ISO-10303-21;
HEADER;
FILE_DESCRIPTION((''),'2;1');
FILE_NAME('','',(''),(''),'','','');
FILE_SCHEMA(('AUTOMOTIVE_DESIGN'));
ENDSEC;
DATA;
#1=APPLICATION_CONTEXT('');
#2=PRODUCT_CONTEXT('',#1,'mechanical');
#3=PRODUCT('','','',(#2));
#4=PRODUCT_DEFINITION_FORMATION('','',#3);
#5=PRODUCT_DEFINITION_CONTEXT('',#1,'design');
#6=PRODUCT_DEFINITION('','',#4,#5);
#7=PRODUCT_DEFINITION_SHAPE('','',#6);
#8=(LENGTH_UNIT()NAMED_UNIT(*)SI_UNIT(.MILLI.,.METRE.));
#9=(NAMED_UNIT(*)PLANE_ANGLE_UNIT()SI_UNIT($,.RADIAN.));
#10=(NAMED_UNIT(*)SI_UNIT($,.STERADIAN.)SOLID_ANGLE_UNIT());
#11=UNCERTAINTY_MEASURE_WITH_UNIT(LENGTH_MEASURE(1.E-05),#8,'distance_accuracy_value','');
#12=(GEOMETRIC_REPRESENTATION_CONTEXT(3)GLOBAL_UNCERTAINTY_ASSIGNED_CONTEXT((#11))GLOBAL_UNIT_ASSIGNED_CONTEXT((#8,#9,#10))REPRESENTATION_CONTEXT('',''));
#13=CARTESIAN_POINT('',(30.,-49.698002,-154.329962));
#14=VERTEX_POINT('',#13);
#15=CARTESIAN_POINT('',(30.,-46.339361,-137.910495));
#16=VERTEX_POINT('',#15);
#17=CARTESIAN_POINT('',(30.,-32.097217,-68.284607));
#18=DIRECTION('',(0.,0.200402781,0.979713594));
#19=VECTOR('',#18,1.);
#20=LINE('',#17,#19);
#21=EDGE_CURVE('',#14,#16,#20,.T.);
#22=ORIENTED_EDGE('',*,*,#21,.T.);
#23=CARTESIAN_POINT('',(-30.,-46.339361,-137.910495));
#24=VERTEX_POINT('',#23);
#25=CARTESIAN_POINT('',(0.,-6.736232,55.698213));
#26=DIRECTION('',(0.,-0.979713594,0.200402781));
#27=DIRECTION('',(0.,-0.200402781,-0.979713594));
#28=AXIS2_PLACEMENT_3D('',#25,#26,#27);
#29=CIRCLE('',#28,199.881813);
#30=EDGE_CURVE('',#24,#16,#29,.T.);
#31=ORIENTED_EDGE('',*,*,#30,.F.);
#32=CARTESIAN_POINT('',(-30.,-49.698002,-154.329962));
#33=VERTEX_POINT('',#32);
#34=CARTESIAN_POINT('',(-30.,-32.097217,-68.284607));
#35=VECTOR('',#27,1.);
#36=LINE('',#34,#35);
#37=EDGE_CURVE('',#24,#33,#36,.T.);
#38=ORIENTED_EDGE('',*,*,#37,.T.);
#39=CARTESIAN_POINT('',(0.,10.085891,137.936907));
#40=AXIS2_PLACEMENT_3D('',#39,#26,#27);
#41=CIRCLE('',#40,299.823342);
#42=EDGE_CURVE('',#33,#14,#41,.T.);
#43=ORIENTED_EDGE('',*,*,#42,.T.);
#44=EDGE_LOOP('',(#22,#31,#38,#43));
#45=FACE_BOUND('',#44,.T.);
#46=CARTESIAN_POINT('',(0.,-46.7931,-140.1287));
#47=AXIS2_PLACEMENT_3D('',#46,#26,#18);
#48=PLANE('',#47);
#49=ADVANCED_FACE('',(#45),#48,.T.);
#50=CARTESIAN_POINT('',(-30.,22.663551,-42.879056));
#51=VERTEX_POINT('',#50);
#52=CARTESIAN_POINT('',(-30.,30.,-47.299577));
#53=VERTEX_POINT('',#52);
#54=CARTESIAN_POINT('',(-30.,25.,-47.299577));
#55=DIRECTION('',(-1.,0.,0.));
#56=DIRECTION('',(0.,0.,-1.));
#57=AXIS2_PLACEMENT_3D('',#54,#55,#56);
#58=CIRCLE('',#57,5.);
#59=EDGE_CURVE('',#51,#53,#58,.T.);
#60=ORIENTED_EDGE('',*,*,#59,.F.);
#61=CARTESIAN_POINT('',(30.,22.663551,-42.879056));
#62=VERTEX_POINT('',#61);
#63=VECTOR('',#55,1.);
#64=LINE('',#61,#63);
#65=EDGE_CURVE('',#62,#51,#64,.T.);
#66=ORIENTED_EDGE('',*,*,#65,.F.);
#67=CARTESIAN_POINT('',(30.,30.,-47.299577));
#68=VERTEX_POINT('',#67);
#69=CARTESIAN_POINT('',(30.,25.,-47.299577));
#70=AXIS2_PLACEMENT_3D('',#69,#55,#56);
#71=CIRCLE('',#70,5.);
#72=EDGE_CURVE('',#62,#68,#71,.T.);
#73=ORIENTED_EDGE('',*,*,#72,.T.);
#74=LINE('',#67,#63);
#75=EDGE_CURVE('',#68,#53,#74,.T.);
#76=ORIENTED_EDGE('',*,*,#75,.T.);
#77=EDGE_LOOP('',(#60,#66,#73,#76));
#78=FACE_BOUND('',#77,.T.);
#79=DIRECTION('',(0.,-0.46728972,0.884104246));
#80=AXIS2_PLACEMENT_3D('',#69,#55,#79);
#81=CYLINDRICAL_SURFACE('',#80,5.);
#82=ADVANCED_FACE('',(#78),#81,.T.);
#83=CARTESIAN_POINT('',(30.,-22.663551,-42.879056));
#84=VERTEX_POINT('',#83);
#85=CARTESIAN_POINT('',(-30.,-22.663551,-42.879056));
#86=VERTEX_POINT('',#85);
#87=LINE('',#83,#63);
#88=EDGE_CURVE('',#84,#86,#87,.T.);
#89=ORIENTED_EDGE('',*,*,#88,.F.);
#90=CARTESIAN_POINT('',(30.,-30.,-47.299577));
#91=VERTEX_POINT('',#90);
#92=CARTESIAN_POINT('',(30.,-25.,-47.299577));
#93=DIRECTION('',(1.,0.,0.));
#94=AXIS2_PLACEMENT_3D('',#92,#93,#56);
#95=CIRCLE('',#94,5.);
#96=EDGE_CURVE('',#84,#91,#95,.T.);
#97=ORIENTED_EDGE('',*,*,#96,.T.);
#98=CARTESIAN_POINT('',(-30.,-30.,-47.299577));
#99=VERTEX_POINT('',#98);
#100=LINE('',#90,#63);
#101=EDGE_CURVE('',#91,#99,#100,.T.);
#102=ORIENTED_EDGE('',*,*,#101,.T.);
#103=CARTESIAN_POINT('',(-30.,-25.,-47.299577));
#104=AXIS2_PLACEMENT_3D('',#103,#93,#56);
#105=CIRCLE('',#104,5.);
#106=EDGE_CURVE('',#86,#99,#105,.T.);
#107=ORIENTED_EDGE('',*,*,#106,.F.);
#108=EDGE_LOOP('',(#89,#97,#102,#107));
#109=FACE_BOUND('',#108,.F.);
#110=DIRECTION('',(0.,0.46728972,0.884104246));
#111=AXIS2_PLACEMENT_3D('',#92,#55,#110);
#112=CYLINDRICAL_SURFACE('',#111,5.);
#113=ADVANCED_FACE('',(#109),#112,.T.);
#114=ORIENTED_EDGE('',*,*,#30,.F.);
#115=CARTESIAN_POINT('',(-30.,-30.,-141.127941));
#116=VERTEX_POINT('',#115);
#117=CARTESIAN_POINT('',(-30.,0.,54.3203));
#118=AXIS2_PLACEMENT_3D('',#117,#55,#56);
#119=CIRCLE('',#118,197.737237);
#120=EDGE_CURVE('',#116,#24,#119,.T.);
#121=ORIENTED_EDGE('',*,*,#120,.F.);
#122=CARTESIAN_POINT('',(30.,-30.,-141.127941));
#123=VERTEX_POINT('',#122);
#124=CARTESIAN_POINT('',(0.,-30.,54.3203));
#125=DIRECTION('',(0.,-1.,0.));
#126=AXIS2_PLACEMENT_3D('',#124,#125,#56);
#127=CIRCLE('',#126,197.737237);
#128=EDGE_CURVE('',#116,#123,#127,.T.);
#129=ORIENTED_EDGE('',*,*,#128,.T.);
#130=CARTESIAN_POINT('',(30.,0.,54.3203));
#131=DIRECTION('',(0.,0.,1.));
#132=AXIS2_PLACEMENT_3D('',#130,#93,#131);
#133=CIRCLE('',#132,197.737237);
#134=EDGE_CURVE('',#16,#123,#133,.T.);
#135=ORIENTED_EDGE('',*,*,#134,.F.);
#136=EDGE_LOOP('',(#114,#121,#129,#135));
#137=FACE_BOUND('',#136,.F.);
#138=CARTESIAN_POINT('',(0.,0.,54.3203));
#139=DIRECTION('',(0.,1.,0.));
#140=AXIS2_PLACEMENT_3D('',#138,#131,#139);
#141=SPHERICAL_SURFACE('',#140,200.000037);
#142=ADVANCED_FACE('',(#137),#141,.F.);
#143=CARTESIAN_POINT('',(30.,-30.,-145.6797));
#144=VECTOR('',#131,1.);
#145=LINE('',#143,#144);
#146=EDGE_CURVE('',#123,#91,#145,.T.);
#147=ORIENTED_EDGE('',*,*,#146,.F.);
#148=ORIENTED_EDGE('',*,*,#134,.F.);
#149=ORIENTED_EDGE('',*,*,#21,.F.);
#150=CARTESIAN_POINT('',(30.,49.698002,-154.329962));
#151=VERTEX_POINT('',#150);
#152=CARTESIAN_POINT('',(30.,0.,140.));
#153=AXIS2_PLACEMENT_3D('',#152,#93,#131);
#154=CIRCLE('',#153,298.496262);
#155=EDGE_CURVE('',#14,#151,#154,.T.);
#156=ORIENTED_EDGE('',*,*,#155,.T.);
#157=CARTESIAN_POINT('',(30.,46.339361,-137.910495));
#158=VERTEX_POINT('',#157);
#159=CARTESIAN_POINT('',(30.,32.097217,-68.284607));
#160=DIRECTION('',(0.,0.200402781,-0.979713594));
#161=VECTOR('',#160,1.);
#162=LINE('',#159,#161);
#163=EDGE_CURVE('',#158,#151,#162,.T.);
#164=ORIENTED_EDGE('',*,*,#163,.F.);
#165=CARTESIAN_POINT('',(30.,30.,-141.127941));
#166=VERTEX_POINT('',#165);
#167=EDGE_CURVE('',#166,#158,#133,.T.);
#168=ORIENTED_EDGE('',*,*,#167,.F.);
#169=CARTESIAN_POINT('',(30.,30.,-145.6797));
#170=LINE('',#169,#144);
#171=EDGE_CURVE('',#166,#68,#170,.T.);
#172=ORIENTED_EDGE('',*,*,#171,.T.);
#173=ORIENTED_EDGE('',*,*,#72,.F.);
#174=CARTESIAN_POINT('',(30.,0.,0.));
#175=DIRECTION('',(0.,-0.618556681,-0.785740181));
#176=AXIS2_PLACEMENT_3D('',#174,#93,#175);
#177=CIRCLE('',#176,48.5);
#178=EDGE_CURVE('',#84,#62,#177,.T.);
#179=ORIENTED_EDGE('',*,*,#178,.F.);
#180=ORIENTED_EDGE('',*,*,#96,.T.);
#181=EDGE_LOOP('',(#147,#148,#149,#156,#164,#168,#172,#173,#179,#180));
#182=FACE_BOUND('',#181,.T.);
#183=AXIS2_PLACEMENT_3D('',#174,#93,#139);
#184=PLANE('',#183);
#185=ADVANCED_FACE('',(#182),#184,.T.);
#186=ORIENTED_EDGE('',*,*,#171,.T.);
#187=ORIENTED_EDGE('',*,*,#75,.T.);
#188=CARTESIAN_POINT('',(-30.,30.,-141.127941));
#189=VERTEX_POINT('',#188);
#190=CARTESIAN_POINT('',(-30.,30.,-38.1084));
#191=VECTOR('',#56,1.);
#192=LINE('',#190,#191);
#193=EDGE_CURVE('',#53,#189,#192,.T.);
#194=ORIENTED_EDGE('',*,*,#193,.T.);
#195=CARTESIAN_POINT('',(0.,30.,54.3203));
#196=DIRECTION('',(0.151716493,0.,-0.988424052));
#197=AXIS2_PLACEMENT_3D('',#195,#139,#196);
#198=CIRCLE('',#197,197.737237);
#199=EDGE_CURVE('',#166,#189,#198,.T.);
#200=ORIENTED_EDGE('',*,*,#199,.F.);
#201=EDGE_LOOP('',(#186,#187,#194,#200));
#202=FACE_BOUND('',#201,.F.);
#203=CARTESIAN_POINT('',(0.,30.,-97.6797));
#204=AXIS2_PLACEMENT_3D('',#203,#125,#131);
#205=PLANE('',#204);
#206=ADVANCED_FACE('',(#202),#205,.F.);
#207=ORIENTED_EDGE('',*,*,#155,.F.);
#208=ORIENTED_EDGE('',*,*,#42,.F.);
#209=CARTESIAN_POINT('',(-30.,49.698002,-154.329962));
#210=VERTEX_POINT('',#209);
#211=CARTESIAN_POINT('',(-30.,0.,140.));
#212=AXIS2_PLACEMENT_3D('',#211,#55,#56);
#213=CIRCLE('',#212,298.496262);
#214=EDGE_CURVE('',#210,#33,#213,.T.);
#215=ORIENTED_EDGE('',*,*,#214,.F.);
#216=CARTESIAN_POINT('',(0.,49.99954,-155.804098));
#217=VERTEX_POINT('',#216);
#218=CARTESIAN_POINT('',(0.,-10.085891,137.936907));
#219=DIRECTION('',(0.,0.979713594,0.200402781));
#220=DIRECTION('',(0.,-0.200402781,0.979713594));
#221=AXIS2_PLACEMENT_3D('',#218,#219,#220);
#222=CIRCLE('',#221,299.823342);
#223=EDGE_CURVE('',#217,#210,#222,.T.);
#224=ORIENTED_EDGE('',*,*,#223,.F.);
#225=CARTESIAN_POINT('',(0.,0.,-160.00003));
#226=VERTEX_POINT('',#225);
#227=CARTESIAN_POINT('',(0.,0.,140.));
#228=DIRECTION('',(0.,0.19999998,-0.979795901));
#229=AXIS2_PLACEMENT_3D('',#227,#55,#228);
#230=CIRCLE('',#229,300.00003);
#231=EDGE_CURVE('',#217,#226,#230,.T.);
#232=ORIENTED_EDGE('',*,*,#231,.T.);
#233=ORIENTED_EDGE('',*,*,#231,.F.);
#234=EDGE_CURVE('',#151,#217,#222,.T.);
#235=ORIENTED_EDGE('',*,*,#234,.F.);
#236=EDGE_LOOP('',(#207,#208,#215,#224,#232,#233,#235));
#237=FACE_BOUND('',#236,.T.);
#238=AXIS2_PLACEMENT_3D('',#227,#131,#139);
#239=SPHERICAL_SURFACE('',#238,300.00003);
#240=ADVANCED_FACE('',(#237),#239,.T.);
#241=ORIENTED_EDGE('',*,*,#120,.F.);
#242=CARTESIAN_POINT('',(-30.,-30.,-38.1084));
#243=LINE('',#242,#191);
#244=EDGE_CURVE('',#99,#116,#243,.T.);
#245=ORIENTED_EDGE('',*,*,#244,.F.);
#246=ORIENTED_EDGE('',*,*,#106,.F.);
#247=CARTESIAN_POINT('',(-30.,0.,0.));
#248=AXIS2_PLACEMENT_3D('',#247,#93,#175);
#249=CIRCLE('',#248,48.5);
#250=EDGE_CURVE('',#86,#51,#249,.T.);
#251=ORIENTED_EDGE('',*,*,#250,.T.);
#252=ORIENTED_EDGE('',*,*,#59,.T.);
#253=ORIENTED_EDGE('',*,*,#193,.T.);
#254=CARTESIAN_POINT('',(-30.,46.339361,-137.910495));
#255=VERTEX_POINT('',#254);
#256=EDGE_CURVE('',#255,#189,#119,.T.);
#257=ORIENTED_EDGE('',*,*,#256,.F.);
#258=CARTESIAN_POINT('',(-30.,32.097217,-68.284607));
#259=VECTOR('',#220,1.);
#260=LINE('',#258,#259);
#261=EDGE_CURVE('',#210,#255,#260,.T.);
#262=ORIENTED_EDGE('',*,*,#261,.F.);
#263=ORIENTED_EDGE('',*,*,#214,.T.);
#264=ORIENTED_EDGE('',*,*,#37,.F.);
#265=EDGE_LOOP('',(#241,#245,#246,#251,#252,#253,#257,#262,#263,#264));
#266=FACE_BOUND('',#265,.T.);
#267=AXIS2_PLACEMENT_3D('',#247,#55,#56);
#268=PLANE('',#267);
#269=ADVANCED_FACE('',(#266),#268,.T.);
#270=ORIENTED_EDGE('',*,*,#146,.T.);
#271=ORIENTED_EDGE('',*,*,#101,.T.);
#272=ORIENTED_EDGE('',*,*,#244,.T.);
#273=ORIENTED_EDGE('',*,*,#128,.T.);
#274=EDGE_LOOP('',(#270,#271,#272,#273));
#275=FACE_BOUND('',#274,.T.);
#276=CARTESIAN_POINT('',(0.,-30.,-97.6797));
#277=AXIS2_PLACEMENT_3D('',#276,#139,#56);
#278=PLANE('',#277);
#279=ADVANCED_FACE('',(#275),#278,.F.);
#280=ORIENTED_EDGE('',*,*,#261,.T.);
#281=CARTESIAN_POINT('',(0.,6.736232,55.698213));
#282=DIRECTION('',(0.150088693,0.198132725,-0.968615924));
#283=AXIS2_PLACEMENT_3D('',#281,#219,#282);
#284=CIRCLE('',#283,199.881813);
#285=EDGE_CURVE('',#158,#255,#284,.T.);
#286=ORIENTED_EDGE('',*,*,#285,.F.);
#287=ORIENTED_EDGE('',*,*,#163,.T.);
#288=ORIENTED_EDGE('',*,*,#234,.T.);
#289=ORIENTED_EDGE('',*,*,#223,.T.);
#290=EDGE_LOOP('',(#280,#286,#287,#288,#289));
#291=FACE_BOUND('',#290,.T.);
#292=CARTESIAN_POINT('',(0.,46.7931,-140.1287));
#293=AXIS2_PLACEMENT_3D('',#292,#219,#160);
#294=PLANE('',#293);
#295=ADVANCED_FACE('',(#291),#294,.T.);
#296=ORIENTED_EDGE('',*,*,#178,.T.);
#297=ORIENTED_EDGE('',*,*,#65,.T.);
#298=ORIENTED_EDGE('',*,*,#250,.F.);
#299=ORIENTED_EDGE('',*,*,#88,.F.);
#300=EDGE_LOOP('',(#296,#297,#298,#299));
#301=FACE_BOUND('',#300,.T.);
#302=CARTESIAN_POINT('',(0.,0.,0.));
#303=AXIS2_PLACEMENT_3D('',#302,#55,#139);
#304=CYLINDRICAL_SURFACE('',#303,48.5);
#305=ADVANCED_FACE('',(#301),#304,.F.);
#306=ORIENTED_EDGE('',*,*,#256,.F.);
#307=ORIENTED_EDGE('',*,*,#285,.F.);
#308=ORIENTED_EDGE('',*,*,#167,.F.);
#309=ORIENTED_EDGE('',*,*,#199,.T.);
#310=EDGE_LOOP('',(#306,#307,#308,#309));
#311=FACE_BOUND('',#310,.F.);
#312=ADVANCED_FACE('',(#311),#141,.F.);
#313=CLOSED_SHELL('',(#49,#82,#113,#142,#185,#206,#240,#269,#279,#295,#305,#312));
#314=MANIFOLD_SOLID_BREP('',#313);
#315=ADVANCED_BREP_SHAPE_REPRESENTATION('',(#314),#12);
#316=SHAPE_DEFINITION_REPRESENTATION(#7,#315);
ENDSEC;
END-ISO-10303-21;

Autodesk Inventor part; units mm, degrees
sketch "Sketch17" plane through (0, 0, 0) normal (1, 0, 0) x (0, 1, 0)
  line L0 (-151.0923, 0) -> (102.6542, 0) construction
  line L1 (0, -220) -> (0, 200) projected
  circle A0 centre (0, 0) radius 40
  circle A1 centre (0, 0) radius 48.5
  arc A2 (-55.3685, -137.8628) -> (55.3685, -137.8628) centre (0, 54.3203) ccw
  arc A3 (-60, -153.9388) -> (60, -153.9388) centre (0, 140) ccw
  line L2 (55.3685, -137.8628) -> (60, -153.9388)
  line L3 (-60, -153.9388) -> (-55.3685, -137.8628)
  line L4 (-30, -38.1084) -> (-30, -145.6797)
  line L5 (-30, -145.6797) -> (30, -145.6797)
  line L6 (30, -145.6797) -> (30, -38.1084)
  line L7 (-46.7931, -140.1287) -> (-50, -155.804)
  line L8 (46.7931, -140.1287) -> (50, -155.804)
  line L9 (-50, -155.804) -> (-28.8985, -159.3708) construction
  line L10 (-46.7931, -140.1287) -> (-25.9862, -145.1357) construction
  line L11 (-48.3965, -147.9663) -> (-7.733, -156.2855) construction
  arc A4 (26.4209, -129.6797) -> (26, -145.6797) centre (66.4047, -138.7371) ccw
  arc A5 (26.4209, -129.6797) -> (30, -97.6797) centre (-114.8428, -97.6797) ccw
  point P0 (0, -160)
  point P1 (0, -145.6797)
  point P2 (0, -160)
  point P3 (0, -48.5)
  point P4 (0, -145.6797)
  dimension "d173" = 97
  dimension "d174" = 80
  dimension "d224" = 60
  dimension "d229" = 160
  dimension "d230" = 300
  dimension "d231" = 16.7299
  dimension "d232" = 100
  dimension "d233" = 10
  dimension "d235" = 200
  dimension "d241" = 16
  dimension "d242" = 16.7931
  dimension "d243" = 16
  dimension "d244" = 32
  dimension "d245" = 26
sketch "Sketch16" plane through (0, 0, 0) normal (1, 0, 0) x (0, 1, 0)
  circle A0 centre (0, 0) radius 40
  circle A1 centre (0, 0) radius 48.5
  line L0 (0, -201.7) -> (0, 90.2) construction
  line L1 (0, -160) -> (0, -48.5)
  line L2 (30, -38.1084) -> (30, -103.6436)
  line L3 (30, -103.6436) -> (25, -132)
  line L4 (25, -132) -> (50, -132)
  line L5 (50, -132) -> (50, -160)
  line L6 (50, -160) -> (0, -160)
  dimension "d156" = 97
  dimension "d157" = 80
  dimension "d202" = 28
  dimension "d203" = 60
  dimension "d204" = 50
  dimension "d206" = 160
  dimension "d209" = 50
  dimension "d210" = 80
  dimension "d211" = 28.7938
extrude "Extrusion14" [suppressed]
fillet "Fillet10" [suppressed]
mirror "Mirror1" [suppressed]
thicken "Thicken1" [suppressed]
sketch "Sketch19" plane through (0, 0, 0) normal (0, 1, 0) x (-1, 0, 0)
  arc A0 (-110.8458, -111.0605) -> (110.8458, -111.0605) centre (0, -10) ccw
  line L0 (155.1841, 0) -> (-155.1841, 0) projected
  line L1 (0, -264.129) -> (0, 44.0215) projected
  line L2 (110.8458, -111.0605) -> (110.8458, -220.1075)
  line L3 (110.8458, -220.1075) -> (-110.8458, -220.1075)
  line L4 (-110.8458, -220.1075) -> (-110.8458, -111.0605)
  point P0 (0, 0)
  point P1 (0, -160)
  point P2 (0, -160)
  point P3 (0, -220.1075)
  dimension "d217" = 150
  dimension "d218" = 0
revolve "Revolution1" [suppressed]
fillet "Fillet15" [suppressed]
revolve "Revolution2" add sketch "Sketch17" angle 360 about axis through (0, 0, -10) along (0, 0, 1) separate body contours L1 L5 L6 A2 L8 A3 | A2 A4 L5 | L8 A2 L2 A3 | A2 L6 L5 A4
ref_plane "Work Plane7" through (0, -46.7931, -140.1287) normal (0, -0.9797, 0.2004) x (0, -0.2004, -0.9797)
split "Split2" plane through (0, -46.7931, -140.1287) removes the side toward (0, -0.9797, 0.2004)
ref_plane "Work Plane8" through (0, 46.7931, -140.1287) normal (0, -0.9797, -0.2004) x (0, 0.2004, -0.9797)
split "Split3" plane through (0, 46.7931, -140.1287) removes the side toward (0, 0.9797, 0.2004)
ref_plane "Work Plane9" through (-30, 0, 0) normal (1, 0, 0) x (0, 1, 0)
split "Split4" plane through (-30, 0, 0) removes the side toward (-1, 0, 0)
ref_plane "Work Plane10" through (30, 0, 0) normal (1, 0, 0) x (0, 1, 0)
split "Split5" plane through (30, 0, 0) removes the side toward (1, 0, 0)
extrude "Extrusion17" add sketch "Sketch17" along normal mid plane 60 contours L1 A1 L6 A5 A4 A2 | A2 A4 L5 | A4 A5 L6 A2 | A2 L6 L5 A4
fillet "Fillet16" radius 5 1 edges at (0, 30, -38.1084)
mirror "Mirror4" about plane through (0, 0, 0) normal (0, 1, 0) of "Extrusion17", "Fillet16"
properties part number "shank_2"
